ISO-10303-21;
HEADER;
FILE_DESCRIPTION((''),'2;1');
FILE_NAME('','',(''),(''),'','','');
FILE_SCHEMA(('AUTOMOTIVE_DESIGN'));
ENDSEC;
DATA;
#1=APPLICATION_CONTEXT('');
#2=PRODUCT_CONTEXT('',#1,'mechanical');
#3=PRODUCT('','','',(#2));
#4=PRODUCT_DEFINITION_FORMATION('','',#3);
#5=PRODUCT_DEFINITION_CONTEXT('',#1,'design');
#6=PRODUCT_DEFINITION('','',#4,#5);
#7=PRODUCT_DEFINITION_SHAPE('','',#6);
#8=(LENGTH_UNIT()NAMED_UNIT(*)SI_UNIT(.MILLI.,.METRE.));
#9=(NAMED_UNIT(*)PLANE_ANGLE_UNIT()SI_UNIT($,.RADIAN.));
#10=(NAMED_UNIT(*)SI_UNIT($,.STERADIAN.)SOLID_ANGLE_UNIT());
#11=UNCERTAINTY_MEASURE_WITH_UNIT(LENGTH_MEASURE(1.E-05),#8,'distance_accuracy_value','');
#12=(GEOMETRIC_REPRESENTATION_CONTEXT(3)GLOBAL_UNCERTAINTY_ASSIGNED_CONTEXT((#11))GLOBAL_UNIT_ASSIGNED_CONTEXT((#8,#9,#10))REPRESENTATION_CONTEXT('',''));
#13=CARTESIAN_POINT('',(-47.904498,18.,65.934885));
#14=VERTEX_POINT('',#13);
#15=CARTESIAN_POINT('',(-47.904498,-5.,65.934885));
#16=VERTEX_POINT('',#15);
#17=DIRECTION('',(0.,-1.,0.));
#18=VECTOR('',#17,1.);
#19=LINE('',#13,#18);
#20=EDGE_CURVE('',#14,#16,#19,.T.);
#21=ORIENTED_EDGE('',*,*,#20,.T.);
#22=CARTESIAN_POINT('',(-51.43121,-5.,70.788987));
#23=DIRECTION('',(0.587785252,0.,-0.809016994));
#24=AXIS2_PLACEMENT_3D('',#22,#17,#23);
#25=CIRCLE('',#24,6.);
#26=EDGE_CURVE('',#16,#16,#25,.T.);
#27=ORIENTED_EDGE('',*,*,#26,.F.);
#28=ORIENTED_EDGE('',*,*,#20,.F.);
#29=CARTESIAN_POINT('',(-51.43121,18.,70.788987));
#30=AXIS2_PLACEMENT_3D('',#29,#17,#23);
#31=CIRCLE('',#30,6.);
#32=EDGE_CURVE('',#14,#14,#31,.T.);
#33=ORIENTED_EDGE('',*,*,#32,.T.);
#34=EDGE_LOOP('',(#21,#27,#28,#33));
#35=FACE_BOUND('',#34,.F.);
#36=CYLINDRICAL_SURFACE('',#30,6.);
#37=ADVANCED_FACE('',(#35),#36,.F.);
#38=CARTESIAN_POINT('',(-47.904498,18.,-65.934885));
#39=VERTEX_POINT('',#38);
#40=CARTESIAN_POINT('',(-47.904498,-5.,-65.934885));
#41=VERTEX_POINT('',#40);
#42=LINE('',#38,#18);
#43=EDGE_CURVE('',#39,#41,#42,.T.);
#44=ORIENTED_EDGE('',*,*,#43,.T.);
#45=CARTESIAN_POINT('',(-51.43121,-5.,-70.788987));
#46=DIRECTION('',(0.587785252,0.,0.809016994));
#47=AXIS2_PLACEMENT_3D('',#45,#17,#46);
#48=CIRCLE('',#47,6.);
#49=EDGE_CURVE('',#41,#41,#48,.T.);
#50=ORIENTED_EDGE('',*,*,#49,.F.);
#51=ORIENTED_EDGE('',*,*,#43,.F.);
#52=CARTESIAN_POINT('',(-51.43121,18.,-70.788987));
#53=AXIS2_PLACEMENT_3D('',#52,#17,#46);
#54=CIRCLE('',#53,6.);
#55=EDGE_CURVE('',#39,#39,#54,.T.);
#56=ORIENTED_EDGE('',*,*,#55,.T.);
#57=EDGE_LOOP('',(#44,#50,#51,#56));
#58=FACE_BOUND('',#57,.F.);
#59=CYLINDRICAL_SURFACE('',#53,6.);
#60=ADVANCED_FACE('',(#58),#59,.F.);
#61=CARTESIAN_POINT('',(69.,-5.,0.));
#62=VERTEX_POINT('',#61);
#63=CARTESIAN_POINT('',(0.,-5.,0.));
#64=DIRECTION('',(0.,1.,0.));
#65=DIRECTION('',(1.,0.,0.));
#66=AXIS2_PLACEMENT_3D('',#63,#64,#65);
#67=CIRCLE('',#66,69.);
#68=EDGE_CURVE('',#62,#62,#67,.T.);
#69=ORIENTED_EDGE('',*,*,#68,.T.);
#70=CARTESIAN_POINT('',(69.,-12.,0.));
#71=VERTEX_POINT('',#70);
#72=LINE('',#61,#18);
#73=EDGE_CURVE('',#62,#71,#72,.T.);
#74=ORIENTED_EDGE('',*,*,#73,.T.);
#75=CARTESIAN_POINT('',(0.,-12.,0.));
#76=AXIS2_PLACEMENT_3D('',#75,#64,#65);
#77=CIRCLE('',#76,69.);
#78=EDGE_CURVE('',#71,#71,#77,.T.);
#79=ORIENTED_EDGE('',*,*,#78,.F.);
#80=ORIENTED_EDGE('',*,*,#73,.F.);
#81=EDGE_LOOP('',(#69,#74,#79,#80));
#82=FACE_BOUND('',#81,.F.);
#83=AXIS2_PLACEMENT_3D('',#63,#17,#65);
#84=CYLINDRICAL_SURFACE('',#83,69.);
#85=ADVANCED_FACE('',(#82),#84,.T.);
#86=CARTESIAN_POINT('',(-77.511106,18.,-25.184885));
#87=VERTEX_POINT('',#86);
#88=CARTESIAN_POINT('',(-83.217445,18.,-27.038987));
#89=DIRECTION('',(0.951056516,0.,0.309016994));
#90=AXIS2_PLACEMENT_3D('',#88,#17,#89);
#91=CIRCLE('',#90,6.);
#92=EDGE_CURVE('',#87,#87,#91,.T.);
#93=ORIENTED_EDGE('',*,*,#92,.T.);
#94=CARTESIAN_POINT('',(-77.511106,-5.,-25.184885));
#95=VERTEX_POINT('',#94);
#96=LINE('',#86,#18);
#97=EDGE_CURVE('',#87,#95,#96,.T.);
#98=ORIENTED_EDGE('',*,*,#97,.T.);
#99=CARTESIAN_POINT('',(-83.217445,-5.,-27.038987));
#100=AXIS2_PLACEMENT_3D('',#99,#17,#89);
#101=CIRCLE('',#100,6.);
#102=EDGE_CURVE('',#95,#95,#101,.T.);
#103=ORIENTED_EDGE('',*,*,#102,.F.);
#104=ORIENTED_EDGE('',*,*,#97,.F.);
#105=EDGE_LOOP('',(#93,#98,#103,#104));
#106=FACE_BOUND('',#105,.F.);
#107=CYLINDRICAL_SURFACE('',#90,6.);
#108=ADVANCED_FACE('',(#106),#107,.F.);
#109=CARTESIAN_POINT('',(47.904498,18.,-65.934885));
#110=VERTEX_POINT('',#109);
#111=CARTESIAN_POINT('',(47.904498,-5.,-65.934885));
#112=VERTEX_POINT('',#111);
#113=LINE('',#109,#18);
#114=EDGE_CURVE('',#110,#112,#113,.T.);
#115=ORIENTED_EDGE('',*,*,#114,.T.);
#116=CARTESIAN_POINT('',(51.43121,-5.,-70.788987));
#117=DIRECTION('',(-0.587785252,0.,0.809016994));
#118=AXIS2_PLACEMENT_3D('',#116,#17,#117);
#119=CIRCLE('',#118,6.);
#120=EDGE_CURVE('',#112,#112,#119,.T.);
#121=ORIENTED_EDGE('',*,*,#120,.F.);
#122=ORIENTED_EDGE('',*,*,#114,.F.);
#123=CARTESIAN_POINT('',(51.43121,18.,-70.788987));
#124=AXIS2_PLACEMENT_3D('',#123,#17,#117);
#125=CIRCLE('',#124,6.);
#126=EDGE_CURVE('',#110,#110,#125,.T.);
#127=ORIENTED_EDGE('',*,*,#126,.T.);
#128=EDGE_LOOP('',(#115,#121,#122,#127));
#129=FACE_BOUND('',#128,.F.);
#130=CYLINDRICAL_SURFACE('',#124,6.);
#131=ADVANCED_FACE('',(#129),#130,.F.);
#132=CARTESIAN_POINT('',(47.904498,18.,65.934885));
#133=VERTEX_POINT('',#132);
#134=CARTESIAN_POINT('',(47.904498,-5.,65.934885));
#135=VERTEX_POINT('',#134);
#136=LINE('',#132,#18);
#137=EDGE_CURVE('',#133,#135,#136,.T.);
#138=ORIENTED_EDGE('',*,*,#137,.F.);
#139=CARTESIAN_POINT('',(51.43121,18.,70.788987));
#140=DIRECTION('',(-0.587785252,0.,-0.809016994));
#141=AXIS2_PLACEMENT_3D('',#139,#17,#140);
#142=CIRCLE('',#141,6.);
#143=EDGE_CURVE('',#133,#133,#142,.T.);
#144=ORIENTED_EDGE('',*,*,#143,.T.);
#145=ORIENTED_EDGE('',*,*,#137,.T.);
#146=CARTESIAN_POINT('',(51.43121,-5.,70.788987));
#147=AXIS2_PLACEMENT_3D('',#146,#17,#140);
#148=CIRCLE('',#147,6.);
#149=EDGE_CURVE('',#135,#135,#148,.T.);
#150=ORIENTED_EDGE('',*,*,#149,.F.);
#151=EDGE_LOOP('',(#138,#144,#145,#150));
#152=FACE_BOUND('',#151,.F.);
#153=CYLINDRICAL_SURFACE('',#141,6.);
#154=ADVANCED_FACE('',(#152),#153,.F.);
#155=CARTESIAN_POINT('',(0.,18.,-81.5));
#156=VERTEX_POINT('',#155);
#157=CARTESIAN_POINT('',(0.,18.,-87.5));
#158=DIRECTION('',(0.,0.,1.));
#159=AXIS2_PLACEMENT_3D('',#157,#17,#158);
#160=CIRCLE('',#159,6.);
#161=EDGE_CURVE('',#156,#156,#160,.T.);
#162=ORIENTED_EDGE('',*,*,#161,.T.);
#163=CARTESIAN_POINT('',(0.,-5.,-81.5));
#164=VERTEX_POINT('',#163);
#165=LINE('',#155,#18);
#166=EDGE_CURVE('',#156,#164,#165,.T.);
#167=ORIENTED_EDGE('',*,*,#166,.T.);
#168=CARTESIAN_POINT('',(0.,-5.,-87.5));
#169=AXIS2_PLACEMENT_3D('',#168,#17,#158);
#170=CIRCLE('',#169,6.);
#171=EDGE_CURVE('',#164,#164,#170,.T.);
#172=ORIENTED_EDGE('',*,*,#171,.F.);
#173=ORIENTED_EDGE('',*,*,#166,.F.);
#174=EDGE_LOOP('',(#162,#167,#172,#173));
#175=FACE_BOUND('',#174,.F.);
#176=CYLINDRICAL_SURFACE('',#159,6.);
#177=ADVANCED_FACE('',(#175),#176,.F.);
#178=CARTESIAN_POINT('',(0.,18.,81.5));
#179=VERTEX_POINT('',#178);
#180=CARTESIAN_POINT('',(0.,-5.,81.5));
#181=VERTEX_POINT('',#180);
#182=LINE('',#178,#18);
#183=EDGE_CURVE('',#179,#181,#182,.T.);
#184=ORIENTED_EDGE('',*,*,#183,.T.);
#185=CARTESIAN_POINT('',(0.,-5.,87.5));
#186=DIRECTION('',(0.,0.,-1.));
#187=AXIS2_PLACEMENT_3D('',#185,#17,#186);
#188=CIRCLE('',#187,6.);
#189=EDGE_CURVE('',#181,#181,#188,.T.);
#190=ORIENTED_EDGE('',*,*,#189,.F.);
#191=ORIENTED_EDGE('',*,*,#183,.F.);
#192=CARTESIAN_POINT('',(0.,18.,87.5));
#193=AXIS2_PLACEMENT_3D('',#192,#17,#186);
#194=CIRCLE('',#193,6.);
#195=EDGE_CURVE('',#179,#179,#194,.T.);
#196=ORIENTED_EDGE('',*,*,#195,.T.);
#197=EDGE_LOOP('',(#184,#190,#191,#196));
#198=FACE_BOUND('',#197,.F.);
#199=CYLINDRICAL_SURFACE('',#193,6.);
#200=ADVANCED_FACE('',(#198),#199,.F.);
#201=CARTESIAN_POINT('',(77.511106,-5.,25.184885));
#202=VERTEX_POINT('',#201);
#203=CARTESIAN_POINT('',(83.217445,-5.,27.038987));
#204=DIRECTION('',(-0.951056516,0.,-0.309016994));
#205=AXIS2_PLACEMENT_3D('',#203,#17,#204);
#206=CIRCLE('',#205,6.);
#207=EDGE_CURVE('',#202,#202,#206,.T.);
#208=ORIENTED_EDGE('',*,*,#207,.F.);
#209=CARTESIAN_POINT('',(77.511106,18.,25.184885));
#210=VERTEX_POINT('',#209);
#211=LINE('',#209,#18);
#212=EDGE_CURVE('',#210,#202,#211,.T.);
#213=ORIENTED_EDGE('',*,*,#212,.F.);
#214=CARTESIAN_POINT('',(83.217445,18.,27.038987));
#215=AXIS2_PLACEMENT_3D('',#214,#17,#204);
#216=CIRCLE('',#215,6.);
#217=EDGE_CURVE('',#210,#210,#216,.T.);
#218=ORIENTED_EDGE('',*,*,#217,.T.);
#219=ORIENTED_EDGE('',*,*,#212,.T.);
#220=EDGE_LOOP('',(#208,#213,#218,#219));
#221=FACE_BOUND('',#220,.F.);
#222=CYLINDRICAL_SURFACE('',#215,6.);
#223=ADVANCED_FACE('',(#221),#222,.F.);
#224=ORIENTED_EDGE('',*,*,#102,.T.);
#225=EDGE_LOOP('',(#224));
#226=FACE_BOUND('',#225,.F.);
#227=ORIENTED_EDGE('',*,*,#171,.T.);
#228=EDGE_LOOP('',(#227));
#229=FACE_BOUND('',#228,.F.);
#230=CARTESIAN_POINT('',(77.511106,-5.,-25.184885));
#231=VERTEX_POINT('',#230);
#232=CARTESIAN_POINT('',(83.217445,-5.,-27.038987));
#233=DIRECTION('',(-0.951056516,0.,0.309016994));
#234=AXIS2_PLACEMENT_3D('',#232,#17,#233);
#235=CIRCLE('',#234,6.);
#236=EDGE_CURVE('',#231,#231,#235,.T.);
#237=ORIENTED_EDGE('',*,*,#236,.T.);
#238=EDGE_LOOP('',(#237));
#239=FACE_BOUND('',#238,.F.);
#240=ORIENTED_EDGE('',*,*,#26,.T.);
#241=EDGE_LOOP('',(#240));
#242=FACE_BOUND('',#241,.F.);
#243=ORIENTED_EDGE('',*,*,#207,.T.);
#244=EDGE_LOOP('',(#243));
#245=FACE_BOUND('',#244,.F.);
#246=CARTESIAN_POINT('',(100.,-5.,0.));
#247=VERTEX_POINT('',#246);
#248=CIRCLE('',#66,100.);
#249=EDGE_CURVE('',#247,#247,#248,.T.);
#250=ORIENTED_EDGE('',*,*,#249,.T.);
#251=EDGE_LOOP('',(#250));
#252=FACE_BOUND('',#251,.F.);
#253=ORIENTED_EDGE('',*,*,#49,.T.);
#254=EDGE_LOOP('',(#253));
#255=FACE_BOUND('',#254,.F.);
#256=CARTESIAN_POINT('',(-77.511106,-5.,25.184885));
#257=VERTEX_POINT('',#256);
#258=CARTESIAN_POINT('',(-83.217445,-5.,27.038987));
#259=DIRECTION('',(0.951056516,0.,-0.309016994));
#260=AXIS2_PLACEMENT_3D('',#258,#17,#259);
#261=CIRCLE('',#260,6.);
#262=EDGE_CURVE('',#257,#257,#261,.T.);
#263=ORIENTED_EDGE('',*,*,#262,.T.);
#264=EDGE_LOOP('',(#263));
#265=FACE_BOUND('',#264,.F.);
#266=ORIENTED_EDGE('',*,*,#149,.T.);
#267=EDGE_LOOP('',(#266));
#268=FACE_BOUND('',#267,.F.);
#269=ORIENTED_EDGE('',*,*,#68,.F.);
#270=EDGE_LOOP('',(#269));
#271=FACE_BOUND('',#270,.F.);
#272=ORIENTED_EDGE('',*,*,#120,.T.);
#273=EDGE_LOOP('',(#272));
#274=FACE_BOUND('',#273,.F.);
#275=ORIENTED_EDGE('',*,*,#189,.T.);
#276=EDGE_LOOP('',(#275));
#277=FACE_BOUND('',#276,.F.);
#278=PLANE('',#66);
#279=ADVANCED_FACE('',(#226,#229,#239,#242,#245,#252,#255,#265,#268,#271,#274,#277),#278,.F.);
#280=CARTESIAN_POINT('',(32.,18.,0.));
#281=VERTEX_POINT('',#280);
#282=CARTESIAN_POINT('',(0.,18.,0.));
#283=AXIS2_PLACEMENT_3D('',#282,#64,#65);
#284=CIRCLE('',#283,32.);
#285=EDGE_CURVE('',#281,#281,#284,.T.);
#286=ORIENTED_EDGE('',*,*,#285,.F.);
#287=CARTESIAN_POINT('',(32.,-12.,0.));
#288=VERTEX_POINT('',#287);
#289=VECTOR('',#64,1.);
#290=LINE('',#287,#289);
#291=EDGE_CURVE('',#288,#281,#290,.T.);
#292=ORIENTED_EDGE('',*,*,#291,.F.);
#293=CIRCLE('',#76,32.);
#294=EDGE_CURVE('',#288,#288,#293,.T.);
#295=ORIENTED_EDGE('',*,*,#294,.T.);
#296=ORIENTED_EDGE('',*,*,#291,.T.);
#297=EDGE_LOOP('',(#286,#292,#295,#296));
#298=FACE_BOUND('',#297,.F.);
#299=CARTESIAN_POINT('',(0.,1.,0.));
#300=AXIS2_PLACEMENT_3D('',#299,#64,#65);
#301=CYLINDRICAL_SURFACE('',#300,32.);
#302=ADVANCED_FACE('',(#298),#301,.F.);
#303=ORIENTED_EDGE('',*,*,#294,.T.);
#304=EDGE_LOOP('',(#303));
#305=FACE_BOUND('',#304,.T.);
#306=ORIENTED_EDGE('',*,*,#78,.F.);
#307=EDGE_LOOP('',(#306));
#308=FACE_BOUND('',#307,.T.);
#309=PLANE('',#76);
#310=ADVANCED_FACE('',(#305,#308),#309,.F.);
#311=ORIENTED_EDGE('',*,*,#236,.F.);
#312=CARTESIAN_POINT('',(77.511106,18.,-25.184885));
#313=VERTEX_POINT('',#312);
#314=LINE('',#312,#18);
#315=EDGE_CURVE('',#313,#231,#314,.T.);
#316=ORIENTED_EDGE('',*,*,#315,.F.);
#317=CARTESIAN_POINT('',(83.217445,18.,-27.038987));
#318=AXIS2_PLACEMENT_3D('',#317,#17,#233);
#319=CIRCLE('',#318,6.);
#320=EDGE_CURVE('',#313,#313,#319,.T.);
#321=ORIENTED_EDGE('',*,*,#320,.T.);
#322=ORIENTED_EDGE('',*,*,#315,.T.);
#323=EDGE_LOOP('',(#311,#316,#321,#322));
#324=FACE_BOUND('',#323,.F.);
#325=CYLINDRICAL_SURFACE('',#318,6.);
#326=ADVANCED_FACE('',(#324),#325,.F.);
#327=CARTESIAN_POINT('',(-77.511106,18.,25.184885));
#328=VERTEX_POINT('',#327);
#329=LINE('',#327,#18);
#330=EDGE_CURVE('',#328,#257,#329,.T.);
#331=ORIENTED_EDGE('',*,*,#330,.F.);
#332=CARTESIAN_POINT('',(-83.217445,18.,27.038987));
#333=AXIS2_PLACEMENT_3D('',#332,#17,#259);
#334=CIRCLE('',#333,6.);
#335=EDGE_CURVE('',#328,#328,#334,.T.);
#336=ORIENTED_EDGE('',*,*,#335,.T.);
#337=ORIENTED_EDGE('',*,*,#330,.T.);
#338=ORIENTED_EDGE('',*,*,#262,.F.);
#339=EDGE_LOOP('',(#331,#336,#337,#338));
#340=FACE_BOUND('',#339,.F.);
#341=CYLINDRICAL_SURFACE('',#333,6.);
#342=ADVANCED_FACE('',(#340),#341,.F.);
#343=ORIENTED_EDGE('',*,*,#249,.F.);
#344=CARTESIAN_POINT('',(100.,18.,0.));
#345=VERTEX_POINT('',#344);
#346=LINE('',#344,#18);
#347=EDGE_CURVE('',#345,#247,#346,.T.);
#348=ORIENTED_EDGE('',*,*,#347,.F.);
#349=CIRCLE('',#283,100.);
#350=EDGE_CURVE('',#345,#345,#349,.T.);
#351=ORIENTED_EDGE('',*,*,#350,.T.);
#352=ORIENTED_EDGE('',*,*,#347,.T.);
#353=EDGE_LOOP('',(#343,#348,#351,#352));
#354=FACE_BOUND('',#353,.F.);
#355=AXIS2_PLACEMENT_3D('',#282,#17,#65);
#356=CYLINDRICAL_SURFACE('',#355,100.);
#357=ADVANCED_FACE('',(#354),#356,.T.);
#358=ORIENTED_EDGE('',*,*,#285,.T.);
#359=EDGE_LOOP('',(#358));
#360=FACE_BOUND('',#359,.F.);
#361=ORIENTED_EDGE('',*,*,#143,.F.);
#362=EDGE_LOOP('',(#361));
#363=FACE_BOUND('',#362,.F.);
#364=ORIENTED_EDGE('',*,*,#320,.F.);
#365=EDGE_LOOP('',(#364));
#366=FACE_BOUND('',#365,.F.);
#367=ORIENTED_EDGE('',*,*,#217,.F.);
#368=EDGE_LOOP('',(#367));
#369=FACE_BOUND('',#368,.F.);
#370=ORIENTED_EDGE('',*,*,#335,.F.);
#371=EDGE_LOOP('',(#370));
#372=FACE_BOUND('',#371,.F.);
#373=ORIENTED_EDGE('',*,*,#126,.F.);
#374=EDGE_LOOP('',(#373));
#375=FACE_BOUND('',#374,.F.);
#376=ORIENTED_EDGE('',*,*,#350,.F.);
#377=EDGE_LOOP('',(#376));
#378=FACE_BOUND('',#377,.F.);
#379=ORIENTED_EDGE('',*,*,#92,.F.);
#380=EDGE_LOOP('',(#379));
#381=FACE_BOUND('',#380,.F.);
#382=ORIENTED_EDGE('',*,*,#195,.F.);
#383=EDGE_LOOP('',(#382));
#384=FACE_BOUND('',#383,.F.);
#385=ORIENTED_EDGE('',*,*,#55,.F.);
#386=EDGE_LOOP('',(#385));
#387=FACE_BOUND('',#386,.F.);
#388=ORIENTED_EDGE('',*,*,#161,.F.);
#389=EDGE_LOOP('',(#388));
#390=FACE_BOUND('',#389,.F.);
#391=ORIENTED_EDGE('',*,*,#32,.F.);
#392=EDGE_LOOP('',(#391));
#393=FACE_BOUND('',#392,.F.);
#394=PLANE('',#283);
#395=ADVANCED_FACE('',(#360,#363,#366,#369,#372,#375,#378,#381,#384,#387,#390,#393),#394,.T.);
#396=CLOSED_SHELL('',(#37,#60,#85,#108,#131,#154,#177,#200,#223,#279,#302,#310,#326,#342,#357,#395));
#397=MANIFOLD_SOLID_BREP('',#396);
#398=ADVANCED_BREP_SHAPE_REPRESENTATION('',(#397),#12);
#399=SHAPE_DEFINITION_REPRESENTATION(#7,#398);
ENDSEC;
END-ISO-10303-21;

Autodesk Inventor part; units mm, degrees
ref_plane "YZ Plane" through (0, 0, 0) normal (1, 0, 0) x (0, 1, 0)
ref_plane "XZ Plane" through (0, 0, 0) normal (0, 1, 0) x (-1, 0, 0)
ref_plane "XY Plane" through (0, 0, 0) normal (0, 0, 1) x (1, 0, 0)
sketch "Эскиз1" plane through (0, 0, 0) normal (0, 0, 1) x (1, 0, 0)
  line L0 (0, 0) -> (0, 18)
  line L1 (0, 18) -> (100, 18)
  line L2 (100, 18) -> (100, -5)
  line L3 (100, -5) -> (69, -5)
  line L4 (69, -5) -> (69, -12)
  line L5 (69, -12) -> (49, -12)
  line L6 (49, -12) -> (49, 1)
  line L7 (49, 1) -> (32, 1)
  line L8 (32, 1) -> (32, 18)
  line L9 (32, 1) -> (32, -12)
  line L10 (32, -12) -> (49, -12)
  dimension "d7" = 18
  dimension "d8" = 100
  dimension "d9" = 23
  dimension "d10" = 31
  dimension "d11" = 20
  dimension "d12" = 13
  dimension "d13" = 17
  dimension "d26" = 17
revolve "Вращение1" add sketch "Эскиз1" angle 360 about axis through (0, 0, 0) along (0, 1, 0)
sketch "Эскиз2" plane through (0, 18, 0) normal (0, 1, 0) x (1, 0, 0)
  circle A0 centre (0, 0) radius 100 projected
  circle A1 centre (0, 0) radius 100 projected
  line L0 (0, 100) -> (0, 87.5)
  dimension "d15" = 12.5
hole "Отверстие1" at (0, 18, -87.5) direction (0, -1, 0) diameter 12 end through all
pattern_circular "Круговой массив2" count 10 over 360 about axis through (0, 6.5, 0) along (0, -1, 0) of "Отверстие1"
properties part number "Крышка сальников_CPY" material "Чугун, серый"
